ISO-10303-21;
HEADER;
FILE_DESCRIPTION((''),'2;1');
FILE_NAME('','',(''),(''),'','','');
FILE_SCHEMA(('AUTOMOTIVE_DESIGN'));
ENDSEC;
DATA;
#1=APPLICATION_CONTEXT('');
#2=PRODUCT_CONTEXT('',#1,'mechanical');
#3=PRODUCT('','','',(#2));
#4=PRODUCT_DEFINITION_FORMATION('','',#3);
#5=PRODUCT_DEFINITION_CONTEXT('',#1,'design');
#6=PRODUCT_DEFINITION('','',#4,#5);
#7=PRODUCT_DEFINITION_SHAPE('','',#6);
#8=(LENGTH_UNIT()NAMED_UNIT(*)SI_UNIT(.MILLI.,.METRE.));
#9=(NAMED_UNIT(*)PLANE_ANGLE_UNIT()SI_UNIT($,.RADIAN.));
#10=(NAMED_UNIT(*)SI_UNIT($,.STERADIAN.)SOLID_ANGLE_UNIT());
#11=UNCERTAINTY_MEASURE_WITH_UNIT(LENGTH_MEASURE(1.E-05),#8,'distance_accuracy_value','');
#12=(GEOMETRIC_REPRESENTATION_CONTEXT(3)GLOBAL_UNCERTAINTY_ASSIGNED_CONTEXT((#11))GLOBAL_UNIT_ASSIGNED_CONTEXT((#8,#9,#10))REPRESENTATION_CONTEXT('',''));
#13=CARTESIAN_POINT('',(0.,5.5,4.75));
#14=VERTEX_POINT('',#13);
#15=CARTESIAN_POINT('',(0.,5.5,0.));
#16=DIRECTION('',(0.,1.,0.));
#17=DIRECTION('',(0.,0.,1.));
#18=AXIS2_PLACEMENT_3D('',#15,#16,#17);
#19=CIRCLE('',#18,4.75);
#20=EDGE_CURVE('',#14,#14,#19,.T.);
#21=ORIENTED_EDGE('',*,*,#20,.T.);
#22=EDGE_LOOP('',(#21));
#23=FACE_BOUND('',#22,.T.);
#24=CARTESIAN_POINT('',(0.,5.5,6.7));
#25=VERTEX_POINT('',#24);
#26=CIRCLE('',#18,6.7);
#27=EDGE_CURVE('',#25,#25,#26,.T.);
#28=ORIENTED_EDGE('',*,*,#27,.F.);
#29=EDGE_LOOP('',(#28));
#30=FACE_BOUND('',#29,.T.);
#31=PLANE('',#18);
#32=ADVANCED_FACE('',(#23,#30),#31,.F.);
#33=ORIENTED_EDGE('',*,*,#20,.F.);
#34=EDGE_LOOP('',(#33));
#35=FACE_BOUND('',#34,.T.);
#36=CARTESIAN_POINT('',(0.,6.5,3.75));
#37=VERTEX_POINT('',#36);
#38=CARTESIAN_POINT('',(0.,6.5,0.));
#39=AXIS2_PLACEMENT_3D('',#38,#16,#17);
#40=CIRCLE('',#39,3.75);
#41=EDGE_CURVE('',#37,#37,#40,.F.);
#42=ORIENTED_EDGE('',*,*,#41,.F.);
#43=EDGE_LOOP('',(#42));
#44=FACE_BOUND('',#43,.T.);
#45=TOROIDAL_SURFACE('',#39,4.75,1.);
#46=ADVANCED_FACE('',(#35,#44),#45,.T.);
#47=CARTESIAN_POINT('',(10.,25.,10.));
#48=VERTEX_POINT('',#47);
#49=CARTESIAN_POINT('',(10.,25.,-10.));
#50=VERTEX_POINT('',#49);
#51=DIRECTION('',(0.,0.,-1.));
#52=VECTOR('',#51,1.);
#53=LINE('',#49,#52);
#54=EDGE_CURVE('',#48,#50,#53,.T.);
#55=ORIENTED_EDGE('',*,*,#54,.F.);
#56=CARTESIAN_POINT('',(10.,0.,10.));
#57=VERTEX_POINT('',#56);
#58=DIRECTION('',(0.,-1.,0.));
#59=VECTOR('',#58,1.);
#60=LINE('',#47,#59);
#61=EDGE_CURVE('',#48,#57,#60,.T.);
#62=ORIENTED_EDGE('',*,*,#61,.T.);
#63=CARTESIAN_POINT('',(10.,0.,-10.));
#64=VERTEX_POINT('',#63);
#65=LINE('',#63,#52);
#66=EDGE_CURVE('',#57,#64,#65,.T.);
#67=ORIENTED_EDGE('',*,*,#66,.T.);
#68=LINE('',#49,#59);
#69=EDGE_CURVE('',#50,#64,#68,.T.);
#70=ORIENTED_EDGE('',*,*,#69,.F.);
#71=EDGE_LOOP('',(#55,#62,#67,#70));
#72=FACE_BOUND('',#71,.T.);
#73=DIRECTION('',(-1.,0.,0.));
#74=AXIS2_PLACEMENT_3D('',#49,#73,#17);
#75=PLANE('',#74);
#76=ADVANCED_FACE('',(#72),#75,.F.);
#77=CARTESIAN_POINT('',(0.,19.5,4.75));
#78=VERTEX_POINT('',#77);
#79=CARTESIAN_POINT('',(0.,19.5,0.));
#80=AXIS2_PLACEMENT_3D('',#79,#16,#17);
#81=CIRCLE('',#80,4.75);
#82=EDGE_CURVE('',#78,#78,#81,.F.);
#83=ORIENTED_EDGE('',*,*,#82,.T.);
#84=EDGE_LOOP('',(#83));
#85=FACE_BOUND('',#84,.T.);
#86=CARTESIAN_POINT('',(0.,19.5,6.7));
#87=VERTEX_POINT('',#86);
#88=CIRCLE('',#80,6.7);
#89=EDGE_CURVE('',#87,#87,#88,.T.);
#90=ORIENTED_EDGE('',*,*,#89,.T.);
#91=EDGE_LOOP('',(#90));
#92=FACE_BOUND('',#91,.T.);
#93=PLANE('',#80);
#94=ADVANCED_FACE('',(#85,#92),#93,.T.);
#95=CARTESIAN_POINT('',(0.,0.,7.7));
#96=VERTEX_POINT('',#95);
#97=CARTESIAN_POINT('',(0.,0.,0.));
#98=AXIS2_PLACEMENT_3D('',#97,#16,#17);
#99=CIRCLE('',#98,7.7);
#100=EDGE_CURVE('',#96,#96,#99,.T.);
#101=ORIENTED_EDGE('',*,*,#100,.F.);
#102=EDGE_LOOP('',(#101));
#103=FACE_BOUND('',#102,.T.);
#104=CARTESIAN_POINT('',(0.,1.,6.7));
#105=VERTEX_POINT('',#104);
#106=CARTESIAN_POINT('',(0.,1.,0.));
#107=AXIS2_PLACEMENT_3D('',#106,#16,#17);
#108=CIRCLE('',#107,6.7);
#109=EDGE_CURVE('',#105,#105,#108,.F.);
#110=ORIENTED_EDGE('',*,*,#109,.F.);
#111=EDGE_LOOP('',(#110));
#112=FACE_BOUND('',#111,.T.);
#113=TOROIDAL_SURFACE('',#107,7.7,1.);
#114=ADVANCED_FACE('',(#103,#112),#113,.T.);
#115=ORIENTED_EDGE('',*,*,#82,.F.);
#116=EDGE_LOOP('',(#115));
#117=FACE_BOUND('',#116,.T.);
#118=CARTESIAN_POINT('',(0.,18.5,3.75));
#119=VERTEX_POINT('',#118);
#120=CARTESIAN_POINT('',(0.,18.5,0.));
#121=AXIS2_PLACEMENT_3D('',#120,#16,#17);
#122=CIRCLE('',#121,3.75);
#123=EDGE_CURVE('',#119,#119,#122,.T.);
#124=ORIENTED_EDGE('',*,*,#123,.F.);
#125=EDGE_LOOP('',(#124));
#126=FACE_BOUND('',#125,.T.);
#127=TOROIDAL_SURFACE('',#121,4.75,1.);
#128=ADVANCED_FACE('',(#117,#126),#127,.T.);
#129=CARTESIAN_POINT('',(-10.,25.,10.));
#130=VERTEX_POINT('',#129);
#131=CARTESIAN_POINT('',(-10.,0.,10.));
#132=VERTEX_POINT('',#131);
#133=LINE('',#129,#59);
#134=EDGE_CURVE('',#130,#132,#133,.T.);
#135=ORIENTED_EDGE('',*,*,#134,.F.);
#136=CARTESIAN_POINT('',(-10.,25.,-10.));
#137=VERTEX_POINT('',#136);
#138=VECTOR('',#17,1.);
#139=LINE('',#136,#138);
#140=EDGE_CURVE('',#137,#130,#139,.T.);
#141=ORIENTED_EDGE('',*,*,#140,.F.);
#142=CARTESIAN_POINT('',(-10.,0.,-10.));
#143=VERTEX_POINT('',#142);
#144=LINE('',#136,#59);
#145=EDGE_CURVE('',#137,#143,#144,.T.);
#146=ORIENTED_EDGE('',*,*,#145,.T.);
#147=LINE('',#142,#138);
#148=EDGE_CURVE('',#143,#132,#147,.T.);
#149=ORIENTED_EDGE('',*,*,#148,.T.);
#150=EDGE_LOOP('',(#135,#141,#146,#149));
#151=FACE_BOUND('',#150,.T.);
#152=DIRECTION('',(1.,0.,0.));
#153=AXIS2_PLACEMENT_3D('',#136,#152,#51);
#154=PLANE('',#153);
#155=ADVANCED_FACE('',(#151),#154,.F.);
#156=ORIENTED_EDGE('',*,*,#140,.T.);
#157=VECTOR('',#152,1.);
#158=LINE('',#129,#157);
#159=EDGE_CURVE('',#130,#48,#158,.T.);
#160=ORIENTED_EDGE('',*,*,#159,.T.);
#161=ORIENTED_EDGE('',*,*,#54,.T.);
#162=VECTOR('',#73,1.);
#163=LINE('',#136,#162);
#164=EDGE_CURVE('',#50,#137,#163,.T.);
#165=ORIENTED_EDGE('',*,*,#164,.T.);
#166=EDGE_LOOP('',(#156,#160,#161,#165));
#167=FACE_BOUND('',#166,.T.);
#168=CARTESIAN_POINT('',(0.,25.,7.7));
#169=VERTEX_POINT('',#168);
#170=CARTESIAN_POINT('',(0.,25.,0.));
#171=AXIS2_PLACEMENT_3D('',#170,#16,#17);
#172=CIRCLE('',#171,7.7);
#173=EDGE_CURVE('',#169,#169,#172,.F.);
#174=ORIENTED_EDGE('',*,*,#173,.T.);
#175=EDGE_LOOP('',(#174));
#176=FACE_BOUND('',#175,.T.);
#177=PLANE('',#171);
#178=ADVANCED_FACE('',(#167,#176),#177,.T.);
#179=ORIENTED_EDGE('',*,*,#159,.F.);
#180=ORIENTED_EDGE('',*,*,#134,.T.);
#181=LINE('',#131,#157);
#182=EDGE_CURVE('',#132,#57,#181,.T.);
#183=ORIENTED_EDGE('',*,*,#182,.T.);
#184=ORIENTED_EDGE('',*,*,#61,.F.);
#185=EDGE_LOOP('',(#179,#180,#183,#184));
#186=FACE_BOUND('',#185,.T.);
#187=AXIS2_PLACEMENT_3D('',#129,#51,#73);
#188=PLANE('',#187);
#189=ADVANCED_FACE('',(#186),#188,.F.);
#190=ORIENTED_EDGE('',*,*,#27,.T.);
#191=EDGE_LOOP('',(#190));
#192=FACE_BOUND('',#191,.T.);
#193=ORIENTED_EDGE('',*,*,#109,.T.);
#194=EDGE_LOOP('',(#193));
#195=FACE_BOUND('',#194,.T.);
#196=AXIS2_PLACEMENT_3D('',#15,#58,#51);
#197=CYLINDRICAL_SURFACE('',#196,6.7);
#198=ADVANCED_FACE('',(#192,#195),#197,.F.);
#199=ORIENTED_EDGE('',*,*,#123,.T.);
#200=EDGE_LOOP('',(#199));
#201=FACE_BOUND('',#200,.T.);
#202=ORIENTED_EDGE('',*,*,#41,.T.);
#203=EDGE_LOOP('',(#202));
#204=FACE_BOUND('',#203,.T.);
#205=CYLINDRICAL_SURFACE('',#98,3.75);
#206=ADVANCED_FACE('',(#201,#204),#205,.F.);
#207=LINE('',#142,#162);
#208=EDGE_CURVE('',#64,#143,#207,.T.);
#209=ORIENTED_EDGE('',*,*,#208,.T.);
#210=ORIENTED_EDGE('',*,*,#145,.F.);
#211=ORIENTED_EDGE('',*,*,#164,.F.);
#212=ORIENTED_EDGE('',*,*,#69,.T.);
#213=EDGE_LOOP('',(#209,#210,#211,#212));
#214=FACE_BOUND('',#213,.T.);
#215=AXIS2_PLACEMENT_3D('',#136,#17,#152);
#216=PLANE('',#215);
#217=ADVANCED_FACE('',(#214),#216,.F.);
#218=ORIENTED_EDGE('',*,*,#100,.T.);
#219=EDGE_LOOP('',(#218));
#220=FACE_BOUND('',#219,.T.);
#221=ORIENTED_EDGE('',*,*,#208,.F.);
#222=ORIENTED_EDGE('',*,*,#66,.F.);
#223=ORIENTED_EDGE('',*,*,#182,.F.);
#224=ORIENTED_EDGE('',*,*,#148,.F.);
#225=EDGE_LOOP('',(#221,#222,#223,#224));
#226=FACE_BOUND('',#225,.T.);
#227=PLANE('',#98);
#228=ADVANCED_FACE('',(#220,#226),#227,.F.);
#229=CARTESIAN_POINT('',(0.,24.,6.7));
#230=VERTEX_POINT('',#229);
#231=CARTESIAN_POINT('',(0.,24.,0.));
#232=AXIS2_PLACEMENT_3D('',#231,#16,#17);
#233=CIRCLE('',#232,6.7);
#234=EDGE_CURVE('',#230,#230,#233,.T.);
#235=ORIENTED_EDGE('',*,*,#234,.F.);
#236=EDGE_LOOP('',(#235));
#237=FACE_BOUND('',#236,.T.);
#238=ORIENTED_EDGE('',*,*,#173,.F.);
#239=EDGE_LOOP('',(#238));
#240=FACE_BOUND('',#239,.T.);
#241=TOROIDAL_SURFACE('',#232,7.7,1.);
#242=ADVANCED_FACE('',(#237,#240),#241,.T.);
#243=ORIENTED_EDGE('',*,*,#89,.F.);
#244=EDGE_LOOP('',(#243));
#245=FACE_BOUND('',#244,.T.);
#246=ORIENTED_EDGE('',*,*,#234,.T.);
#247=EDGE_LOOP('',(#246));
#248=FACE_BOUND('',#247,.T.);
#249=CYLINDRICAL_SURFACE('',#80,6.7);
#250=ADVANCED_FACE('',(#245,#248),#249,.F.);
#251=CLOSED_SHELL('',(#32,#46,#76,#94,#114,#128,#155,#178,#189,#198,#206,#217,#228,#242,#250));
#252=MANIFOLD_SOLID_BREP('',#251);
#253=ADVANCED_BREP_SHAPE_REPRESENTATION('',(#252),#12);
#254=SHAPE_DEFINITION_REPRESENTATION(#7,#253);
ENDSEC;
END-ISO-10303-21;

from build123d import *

# Parameters (mm, degrees)
SKETCH3_W           = 20
SKETCH3_H           = 20
BOSS_EXTRUDE1_DEPTH = 25
SKETCH4_R           = 3.75
CUT_EXTRUDE1_DEPTH  = 29.722813233
SKETCH4_3_R         = 6.7
CUT_EXTRUDE2_DEPTH  = 5.5
CUT_EXTRUDE3_START  = -19.5
SKETCH4_4_R         = 6.7
CUT_EXTRUDE3_DEPTH  = 5.5
FILLET1_R           = 1
FILLET2_R           = 1


with BuildPart() as part:
    # Sketch3 → Boss-Extrude1 (new body)
    with BuildSketch(Plane(origin=(0, 0, 0), x_dir=(1, 0, 0), z_dir=(0, 1, 0))):
        Rectangle(SKETCH3_W, SKETCH3_H)
    extrude(amount=BOSS_EXTRUDE1_DEPTH)

    # Sketch4 → Cut-Extrude1 (cut, through all)
    with BuildSketch(Plane(origin=(0, 25, 0), x_dir=(1, 0, 0), z_dir=(0, 1, 0))):
        with Locations(Location((0, 0, 0), (0, 0, 270))):
            Circle(SKETCH4_R)
    extrude(amount=-CUT_EXTRUDE1_DEPTH, mode=Mode.SUBTRACT)

    # Sketch4<3> → Cut-Extrude2 (cut)
    with BuildSketch(Plane(origin=(0, 25, 0), x_dir=(1, 0, 0), z_dir=(0, 1, 0))):
        with Locations(Location((0, 0, 0), (0, 0, 270))):
            Circle(SKETCH4_3_R)
    extrude(amount=-CUT_EXTRUDE2_DEPTH, mode=Mode.SUBTRACT)

    # Sketch4<4> → Cut-Extrude3 (cut)
    with BuildSketch(Plane(origin=(0, 25, 0), x_dir=(1, 0, 0), z_dir=(0, 1, 0)).offset(CUT_EXTRUDE3_START)):
        with Locations(Location((0, 0, 0), (0, 0, 270))):
            Circle(SKETCH4_4_R)
    extrude(amount=-CUT_EXTRUDE3_DEPTH, mode=Mode.SUBTRACT)

    # Fillet1
    fillet1_edges = [part.edges().sort_by_distance(p)[0] for p in [
        (0, 25, -6.7),
        (0, 0, -6.7),
    ]]
    fillet(fillet1_edges, radius=FILLET1_R)

    # Fillet2
    fillet2_edges = [part.edges().sort_by_distance(p)[0] for p in [
        (0, 19.5, -3.75),
        (0, 5.5, -3.75),
    ]]
    fillet(fillet2_edges, radius=FILLET2_R)


solid = part.part
